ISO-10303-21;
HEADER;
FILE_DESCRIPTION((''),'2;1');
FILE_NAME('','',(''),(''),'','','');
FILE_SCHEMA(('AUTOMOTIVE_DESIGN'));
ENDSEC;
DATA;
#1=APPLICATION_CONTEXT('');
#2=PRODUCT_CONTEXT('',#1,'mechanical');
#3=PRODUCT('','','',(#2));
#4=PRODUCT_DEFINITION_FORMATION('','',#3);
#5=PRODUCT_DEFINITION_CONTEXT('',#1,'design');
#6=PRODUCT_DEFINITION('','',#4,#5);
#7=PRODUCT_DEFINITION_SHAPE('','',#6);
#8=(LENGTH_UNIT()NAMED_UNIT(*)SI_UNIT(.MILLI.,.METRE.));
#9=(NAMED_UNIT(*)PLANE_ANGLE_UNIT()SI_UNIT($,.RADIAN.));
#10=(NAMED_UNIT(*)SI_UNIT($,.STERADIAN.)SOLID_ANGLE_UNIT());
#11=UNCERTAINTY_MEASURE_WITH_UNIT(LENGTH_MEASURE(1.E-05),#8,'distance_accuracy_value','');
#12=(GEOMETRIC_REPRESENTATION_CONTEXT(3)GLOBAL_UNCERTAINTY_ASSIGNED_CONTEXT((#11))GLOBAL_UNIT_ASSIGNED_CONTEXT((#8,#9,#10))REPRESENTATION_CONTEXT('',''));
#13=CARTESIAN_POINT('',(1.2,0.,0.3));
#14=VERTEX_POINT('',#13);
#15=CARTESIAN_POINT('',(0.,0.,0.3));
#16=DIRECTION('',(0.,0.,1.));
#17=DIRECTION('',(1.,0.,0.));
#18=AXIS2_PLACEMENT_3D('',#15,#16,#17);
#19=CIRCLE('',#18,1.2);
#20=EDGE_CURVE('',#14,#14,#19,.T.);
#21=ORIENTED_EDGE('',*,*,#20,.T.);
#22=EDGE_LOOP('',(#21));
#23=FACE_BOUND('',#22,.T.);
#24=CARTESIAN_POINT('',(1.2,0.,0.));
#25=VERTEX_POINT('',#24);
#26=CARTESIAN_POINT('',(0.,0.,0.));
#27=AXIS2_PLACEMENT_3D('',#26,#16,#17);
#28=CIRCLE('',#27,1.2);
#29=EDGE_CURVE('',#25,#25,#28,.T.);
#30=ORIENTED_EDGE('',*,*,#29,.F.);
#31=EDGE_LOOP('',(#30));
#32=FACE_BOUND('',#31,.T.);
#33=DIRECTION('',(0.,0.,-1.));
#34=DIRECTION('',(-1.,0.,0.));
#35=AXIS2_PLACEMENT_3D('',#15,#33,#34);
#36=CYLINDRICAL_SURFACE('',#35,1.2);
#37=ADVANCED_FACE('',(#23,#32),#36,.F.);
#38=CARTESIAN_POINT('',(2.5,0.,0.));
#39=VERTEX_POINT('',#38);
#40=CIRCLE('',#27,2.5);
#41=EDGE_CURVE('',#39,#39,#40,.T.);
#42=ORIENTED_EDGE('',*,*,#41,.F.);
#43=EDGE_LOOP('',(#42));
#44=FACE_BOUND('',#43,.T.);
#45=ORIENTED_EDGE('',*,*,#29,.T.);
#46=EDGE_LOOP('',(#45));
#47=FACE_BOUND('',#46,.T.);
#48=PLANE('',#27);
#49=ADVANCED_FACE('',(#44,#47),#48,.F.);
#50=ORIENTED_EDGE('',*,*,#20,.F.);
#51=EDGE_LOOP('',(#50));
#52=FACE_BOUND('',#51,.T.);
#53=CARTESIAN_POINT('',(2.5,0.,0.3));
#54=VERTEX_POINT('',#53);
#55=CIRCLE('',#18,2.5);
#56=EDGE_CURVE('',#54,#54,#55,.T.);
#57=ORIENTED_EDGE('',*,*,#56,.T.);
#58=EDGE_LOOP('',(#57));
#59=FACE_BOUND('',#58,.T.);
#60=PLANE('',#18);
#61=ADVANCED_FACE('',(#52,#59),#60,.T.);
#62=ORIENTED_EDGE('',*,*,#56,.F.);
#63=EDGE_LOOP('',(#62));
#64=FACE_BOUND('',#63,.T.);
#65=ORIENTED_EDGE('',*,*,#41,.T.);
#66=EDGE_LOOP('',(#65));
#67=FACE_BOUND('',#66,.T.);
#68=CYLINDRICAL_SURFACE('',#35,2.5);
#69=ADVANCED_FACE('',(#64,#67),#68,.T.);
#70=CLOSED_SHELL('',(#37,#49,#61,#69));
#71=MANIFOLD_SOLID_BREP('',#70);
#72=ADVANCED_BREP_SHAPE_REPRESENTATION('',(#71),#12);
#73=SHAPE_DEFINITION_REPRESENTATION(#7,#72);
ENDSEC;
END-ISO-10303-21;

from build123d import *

# Parameters (mm, degrees)
SKETCH_1_R        = 2.5
SKETCH_1_R_2      = 1.2
EXTRUDE_148_DEPTH = 0.3


with BuildPart() as part:
    # Эскиз1 → Extrude 148 (new body)
    with BuildSketch(Plane.XY):
        Circle(SKETCH_1_R)
        Circle(SKETCH_1_R_2, mode=Mode.SUBTRACT)
    extrude(amount=EXTRUDE_148_DEPTH)


solid = part.part
